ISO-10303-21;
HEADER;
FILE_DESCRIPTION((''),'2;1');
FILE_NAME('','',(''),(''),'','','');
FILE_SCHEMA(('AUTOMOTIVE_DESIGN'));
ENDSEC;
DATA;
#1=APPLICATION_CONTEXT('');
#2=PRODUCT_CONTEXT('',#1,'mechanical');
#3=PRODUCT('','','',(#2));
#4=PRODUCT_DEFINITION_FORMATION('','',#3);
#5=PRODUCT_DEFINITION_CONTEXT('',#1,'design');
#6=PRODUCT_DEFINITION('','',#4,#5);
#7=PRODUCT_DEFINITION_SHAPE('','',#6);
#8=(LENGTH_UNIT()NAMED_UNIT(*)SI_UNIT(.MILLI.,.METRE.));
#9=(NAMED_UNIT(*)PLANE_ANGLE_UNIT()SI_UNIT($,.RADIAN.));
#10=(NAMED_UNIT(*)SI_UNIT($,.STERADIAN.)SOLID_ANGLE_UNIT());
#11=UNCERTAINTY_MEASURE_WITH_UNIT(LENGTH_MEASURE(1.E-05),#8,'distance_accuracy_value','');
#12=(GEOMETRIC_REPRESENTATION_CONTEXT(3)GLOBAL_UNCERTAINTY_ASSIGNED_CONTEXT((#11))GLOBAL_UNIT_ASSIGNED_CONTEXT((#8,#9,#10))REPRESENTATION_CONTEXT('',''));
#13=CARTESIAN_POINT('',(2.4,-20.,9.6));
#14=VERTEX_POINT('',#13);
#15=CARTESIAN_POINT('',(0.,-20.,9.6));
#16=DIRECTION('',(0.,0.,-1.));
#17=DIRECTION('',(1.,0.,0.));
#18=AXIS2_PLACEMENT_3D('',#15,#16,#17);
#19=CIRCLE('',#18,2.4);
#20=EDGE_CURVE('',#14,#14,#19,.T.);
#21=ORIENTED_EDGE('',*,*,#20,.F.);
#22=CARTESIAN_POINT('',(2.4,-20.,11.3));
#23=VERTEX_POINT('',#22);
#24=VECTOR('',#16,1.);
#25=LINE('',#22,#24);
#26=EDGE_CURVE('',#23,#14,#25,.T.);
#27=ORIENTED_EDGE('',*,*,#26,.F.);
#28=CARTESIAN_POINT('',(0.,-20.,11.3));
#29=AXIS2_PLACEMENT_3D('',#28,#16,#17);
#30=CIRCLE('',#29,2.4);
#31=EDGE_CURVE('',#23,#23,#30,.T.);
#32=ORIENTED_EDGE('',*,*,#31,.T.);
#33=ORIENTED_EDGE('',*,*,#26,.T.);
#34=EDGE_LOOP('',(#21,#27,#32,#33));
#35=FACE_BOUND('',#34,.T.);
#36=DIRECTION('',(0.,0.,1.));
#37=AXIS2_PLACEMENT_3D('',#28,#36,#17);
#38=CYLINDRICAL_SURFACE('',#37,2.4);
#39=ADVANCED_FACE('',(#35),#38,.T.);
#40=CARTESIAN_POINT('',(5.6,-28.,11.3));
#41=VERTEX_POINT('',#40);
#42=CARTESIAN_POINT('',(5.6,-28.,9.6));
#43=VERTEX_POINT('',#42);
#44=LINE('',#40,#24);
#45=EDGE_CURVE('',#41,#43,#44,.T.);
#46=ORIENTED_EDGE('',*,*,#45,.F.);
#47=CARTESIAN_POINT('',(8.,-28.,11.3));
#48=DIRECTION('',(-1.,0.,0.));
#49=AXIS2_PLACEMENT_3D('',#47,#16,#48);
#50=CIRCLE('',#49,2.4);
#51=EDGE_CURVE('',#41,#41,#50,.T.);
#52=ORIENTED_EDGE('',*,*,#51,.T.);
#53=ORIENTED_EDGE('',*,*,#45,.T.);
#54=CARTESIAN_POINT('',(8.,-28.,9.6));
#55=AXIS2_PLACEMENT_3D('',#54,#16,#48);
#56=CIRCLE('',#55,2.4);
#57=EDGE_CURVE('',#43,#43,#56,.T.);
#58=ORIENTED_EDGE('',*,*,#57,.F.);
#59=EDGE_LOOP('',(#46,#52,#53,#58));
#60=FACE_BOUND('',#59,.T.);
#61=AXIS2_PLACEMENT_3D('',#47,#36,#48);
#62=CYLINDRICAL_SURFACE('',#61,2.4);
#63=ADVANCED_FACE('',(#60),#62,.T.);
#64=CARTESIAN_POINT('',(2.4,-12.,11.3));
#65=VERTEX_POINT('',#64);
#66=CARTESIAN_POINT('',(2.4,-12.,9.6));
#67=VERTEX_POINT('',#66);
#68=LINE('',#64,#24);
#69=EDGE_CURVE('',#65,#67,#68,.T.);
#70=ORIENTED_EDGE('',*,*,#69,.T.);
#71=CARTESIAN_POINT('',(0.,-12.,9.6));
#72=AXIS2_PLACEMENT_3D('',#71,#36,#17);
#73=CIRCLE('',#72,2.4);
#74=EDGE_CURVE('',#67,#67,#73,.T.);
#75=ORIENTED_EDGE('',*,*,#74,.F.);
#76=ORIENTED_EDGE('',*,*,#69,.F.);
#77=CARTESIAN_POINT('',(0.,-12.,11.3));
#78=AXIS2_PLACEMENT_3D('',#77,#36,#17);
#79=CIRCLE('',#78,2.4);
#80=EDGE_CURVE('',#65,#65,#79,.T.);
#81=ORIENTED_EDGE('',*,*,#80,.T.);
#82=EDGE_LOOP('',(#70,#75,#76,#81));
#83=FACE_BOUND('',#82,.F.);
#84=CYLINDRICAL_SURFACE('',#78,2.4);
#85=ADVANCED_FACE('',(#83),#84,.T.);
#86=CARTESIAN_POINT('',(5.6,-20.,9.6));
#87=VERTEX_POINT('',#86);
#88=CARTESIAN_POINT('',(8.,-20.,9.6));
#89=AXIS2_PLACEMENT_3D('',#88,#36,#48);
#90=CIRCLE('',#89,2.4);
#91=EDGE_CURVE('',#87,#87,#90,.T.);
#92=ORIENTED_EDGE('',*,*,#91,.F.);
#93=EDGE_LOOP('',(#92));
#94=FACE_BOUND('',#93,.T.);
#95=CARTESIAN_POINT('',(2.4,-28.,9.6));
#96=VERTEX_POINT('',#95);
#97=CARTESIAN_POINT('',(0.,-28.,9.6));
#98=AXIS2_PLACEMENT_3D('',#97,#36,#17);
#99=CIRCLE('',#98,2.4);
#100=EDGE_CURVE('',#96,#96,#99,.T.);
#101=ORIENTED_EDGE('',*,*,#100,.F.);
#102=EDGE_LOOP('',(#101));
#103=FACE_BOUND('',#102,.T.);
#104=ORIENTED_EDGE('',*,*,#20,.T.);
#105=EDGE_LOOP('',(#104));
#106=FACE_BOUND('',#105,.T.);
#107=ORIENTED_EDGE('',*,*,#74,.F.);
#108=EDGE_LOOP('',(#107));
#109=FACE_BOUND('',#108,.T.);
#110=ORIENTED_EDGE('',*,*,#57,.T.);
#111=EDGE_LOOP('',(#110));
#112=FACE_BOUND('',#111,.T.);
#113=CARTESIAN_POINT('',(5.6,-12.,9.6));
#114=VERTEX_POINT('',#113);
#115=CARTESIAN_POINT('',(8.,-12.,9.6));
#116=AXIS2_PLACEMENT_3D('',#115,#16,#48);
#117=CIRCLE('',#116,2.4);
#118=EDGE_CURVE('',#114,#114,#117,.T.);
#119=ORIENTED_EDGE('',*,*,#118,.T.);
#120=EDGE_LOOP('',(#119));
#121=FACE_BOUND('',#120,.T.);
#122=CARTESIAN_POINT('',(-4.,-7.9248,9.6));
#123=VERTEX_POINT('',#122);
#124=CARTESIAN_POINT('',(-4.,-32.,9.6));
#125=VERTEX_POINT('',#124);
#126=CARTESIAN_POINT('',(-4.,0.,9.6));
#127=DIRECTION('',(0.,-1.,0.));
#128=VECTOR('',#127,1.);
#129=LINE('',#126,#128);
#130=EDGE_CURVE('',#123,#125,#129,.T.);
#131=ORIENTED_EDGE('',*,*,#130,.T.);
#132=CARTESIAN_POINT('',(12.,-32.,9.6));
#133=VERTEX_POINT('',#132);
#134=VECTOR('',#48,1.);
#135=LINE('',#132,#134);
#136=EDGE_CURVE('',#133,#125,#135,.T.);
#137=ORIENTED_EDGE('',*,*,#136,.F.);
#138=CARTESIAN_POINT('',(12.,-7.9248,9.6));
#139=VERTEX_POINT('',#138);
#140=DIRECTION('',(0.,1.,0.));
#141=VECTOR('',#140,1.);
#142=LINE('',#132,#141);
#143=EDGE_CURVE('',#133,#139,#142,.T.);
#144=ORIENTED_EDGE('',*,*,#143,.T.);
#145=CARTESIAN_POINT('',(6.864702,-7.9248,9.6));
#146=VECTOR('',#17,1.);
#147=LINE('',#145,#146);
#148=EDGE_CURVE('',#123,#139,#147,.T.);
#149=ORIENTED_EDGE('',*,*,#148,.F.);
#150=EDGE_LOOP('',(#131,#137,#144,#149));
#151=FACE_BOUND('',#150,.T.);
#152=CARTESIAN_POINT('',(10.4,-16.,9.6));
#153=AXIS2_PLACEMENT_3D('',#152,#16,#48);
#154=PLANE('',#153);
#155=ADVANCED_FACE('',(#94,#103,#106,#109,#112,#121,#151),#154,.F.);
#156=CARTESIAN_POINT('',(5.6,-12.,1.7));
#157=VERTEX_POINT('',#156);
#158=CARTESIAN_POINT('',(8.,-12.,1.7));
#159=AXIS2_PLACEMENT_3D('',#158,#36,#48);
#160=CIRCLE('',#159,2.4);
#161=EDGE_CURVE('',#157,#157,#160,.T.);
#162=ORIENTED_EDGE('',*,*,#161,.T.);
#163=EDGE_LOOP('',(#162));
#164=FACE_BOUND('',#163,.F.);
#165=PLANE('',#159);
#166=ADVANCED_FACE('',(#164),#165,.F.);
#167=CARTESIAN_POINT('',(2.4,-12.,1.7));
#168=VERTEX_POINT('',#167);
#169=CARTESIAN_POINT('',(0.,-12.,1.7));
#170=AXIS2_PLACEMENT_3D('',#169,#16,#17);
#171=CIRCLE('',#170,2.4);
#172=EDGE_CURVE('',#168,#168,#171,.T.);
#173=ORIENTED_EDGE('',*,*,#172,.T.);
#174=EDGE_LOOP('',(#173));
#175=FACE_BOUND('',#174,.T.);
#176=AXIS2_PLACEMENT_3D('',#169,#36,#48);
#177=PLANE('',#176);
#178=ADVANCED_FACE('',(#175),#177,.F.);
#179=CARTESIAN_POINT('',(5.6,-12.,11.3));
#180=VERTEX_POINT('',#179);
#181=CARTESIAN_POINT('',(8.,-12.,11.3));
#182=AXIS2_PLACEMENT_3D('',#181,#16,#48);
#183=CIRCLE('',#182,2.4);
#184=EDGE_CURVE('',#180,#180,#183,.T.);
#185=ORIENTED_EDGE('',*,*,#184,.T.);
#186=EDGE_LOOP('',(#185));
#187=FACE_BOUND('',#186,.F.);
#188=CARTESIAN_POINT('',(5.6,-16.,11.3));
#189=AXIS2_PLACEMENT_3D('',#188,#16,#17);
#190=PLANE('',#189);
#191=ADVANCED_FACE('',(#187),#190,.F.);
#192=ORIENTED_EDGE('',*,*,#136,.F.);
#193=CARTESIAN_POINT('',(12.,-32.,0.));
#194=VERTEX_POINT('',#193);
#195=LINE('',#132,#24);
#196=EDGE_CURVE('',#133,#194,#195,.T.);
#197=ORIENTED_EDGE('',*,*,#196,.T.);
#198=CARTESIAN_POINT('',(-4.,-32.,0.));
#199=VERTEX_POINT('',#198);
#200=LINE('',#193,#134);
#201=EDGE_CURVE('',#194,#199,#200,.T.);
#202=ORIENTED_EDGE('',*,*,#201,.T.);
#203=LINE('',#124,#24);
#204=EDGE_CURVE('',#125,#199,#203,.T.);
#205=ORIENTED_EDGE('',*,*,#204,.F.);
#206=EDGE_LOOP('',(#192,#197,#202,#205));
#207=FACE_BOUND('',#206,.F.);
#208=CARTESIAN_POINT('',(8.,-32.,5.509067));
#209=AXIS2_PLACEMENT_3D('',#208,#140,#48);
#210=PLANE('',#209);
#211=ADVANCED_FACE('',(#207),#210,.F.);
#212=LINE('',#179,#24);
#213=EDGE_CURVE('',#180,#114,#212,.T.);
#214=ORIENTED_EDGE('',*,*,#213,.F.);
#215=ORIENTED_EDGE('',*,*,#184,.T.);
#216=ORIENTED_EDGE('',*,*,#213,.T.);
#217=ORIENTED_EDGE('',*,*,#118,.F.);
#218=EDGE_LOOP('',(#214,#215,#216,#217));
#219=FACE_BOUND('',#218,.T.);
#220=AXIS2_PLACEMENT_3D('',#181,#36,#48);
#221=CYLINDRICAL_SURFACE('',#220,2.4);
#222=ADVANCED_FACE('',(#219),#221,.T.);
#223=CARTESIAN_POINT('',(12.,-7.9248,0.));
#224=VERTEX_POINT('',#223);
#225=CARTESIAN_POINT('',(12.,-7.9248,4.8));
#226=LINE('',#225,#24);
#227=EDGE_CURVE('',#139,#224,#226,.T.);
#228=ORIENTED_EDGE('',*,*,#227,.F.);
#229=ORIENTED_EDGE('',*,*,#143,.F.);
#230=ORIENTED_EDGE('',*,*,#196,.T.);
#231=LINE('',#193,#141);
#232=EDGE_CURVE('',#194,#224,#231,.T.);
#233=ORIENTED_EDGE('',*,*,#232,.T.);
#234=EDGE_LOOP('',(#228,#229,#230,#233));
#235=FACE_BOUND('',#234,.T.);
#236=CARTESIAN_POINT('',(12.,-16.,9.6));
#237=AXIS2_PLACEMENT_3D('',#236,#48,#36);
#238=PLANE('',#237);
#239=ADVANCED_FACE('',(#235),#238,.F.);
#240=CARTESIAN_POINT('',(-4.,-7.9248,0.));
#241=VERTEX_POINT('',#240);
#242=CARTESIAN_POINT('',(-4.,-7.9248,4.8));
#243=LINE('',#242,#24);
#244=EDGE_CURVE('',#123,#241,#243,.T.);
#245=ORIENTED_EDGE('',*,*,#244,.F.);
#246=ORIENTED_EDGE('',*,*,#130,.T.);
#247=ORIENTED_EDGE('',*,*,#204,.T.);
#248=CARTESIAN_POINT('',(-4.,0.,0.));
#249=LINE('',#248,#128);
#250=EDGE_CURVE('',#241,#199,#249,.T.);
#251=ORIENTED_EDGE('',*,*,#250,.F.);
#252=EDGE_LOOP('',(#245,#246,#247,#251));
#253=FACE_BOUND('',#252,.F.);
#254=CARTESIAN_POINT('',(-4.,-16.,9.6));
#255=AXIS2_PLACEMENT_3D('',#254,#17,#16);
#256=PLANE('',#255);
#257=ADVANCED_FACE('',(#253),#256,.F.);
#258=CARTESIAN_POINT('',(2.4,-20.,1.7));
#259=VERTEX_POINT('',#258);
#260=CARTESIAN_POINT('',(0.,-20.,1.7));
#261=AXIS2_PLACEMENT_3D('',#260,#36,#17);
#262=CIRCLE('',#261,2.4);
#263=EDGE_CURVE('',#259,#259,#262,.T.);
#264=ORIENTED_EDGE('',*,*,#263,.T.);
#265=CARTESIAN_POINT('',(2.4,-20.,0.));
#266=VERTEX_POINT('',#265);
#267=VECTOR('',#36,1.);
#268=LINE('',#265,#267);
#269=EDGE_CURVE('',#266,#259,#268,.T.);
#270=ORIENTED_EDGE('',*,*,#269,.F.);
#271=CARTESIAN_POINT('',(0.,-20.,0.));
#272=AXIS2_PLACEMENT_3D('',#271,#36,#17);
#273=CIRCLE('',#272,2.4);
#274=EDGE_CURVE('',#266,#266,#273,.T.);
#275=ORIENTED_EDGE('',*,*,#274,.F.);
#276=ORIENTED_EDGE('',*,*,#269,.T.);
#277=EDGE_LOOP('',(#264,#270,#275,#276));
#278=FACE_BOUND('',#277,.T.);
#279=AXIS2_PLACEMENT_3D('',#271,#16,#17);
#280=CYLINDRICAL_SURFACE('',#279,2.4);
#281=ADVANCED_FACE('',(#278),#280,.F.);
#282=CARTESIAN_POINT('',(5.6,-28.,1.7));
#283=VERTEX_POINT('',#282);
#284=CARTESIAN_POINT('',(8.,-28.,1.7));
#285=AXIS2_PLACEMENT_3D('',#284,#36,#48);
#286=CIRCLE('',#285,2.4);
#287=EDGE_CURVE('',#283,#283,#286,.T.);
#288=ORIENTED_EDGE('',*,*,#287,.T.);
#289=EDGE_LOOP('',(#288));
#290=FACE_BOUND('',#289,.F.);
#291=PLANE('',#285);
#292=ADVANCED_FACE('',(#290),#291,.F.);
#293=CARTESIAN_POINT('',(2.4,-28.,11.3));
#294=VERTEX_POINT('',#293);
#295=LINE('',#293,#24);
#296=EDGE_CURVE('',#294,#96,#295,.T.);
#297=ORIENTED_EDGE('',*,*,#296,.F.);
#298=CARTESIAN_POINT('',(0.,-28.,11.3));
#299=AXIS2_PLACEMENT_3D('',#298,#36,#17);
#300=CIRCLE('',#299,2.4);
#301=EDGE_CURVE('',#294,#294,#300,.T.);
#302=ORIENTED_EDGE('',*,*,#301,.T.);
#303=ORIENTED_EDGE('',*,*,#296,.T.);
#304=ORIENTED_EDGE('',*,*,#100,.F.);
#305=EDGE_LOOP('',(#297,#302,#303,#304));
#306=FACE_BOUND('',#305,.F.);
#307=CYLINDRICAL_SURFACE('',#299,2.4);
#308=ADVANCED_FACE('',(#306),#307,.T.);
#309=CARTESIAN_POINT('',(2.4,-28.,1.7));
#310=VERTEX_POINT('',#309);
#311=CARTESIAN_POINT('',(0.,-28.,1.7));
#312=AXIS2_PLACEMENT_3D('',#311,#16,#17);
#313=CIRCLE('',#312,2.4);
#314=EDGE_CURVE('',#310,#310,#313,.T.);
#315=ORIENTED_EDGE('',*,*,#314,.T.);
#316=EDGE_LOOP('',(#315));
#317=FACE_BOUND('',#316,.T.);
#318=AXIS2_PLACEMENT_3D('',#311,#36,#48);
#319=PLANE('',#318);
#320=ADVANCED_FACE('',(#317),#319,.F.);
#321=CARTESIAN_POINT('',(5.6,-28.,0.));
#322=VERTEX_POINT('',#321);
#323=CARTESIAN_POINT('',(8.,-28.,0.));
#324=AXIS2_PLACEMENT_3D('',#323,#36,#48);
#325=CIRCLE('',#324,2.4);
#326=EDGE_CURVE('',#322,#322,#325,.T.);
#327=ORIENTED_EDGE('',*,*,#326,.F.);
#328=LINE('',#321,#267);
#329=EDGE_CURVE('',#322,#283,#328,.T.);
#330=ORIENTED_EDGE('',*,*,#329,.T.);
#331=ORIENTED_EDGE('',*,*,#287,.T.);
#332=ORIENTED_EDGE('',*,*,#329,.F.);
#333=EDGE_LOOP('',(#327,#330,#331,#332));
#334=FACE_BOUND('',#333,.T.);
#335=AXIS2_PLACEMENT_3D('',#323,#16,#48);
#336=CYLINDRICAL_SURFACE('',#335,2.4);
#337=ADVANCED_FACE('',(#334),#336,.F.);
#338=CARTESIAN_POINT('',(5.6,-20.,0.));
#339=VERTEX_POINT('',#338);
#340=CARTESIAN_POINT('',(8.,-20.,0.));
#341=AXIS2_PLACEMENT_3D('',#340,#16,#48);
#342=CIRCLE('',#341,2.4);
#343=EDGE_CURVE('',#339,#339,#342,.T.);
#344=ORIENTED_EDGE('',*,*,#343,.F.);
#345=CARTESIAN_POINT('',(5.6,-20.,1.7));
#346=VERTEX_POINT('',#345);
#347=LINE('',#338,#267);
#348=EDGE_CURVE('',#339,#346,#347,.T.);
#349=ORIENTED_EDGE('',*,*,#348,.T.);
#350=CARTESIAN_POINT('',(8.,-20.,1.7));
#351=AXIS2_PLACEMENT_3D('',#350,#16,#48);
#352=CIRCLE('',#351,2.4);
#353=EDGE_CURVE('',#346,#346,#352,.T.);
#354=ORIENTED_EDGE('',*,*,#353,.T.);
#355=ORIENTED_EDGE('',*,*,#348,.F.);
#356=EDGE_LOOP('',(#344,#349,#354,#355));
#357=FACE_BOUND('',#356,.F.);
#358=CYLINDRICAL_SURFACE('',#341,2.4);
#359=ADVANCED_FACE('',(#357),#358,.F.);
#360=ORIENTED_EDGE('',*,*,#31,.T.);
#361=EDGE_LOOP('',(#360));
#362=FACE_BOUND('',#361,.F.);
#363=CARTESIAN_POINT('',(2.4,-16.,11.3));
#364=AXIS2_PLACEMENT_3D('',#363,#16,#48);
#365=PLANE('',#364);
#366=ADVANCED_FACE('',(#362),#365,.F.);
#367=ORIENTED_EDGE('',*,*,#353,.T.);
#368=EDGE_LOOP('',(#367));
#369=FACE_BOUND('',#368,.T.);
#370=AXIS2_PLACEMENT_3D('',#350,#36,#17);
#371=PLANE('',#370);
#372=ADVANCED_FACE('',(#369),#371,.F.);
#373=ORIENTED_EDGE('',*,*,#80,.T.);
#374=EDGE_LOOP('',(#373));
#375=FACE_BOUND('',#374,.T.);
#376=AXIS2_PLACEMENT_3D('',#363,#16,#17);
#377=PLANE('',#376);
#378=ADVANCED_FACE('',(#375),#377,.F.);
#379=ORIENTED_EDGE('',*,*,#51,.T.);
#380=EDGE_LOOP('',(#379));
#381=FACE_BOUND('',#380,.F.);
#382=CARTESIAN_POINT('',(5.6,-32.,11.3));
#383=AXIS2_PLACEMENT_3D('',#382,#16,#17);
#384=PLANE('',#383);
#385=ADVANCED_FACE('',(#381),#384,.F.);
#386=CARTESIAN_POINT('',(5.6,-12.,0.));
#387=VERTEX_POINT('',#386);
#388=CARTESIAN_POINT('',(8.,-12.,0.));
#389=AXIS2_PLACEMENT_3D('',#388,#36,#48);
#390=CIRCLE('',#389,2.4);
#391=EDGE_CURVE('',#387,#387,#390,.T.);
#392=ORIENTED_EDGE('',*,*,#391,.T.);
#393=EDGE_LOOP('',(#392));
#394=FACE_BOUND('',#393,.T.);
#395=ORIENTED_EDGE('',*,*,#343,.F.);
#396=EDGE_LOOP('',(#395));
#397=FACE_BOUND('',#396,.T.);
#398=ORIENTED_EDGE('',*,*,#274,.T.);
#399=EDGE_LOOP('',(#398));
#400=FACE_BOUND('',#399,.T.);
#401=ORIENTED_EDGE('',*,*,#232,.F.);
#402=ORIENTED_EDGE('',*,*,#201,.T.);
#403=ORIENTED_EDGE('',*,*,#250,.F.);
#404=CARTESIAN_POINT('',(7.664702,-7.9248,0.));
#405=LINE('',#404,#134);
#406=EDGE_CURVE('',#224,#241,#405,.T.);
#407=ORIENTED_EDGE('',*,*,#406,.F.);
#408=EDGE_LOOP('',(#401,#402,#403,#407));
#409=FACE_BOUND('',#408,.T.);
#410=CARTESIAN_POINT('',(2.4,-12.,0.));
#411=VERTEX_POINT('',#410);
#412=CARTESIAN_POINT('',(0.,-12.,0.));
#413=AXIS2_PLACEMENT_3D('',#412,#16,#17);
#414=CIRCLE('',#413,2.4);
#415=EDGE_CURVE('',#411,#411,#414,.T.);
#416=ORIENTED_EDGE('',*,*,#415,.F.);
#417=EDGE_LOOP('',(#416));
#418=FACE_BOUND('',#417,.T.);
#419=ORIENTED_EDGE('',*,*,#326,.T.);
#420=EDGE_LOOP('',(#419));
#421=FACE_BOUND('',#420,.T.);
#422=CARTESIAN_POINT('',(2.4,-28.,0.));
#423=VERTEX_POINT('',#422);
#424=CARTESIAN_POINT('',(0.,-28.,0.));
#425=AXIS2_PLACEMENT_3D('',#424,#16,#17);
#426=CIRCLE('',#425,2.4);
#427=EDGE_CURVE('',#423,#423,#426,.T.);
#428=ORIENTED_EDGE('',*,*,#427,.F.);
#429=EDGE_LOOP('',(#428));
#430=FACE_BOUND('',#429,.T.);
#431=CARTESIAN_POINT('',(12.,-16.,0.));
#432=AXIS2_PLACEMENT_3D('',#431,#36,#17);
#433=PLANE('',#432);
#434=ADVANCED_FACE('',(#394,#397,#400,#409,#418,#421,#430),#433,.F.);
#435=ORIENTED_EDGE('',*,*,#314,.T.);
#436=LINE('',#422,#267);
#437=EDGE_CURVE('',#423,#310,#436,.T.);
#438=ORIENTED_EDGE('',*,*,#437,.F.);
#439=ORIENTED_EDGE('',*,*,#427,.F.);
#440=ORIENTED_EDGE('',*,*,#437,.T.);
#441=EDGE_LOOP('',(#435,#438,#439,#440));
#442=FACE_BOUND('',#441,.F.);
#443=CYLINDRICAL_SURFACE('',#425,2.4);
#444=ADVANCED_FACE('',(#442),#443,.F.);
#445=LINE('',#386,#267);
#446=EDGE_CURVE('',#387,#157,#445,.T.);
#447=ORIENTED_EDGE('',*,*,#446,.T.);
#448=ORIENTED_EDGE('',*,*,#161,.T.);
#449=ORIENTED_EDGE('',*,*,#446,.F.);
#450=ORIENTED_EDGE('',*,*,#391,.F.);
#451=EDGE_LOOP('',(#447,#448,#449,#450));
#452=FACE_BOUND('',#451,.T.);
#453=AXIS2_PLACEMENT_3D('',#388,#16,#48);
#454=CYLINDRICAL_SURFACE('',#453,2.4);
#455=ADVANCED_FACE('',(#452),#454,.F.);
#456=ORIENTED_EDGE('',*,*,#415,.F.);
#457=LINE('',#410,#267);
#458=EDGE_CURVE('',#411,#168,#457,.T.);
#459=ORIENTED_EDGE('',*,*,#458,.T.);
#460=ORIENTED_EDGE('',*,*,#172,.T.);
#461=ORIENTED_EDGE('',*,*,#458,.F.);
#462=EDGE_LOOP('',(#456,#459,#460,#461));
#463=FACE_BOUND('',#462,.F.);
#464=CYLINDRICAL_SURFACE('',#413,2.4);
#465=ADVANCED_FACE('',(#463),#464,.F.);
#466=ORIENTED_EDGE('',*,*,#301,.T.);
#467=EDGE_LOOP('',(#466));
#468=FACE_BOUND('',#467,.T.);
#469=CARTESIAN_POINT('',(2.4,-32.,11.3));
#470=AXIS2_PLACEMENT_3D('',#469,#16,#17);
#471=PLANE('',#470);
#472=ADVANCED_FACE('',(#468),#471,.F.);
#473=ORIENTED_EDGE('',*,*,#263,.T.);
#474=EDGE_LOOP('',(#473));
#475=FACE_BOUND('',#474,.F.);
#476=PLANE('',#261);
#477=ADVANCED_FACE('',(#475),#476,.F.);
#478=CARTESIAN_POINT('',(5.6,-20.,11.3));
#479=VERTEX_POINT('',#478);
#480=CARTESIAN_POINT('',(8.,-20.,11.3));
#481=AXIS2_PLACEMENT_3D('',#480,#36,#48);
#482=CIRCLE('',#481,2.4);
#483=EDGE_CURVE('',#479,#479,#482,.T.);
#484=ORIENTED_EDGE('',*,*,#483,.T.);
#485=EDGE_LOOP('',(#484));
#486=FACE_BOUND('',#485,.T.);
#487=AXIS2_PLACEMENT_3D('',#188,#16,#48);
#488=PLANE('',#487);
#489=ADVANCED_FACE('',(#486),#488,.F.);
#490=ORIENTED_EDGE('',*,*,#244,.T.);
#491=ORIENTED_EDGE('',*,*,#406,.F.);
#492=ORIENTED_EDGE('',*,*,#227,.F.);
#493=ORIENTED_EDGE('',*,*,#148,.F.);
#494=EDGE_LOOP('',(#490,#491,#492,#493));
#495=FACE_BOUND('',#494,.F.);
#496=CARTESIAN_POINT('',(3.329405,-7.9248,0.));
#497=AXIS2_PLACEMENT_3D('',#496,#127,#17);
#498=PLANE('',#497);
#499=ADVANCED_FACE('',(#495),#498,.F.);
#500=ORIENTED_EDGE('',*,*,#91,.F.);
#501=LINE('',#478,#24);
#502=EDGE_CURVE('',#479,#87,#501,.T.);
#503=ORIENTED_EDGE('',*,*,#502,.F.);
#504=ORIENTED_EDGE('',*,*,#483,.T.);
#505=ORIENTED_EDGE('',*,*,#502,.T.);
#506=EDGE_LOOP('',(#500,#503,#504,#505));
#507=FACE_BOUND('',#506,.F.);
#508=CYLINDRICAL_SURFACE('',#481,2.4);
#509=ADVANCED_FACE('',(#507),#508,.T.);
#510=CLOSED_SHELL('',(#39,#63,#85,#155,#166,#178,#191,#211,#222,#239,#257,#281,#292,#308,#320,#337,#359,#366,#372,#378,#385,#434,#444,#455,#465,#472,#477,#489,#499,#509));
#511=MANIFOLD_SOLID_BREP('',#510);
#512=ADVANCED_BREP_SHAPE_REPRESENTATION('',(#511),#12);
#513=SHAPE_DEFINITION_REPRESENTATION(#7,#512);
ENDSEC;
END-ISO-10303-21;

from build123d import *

# Parameters (mm, degrees)
F1_DEPTH  = 8
F3_W      = 8
F3_H      = 8
F3_R      = 2.4
F4_DEPTH  = 1.7
F5_R      = 2.4
F6_DEPTH  = 1.7
F11_W     = 31.0510899872
F11_H     = 25.4
F12_DEPTH = 7.9248


with BuildPart() as f1:
    # F0 (on Front) → F1 (new body)
    with BuildSketch(Plane.XZ):
        Polygon((-2.4, 9.6), (-4, 9.6), (-4, 0), (4, 0), (4, 9.6), (2.4, 9.6), (2.4, 11.3), (-2.4, 11.3), align=None)
    extrude(amount=F1_DEPTH)

    # F3 (on plane+point) → F4 (cut, through all)
    with BuildSketch(Plane.XY.offset(11.3)):
        with Locations((0, -4)):
            Rectangle(F3_W, F3_H)
        with Locations((0, -4)):
            Circle(F3_R, mode=Mode.SUBTRACT)
    extrude(amount=-F4_DEPTH, mode=Mode.SUBTRACT)

    # F5 (on Top) → F6 (cut)
    with BuildSketch(Plane.XY):
        with Locations((0, -4)):
            Circle(F5_R)
    extrude(amount=F6_DEPTH, mode=Mode.SUBTRACT)

    # F8: F1 across plane


with BuildPart() as f1_1:
    add(f1.part)
    add(f1.part.mirror(Plane.YZ.offset(4)))

    # F9: F1 across face


with BuildPart() as f1_2:
    add(f1_1.part)
    add(f1_1.part.mirror(Plane(origin=(4, -8, 4.8), x_dir=(1, 0, 0), z_dir=(0, -1, 0))))

    # F10: F1 across face


with BuildPart() as f1_3:
    add(f1_2.part)
    add(f1_2.part.mirror(Plane(origin=(4, -16, 4.8), x_dir=(1, 0, 0), z_dir=(0, -1, 0))))

    # F11 (on Front) → F12 (cut)
    with BuildSketch(Plane.XZ):
        with Locations((3.3294046298, 0)):
            Rectangle(F11_W, F11_H)
    extrude(amount=F12_DEPTH, mode=Mode.SUBTRACT)


solid = f1_3.part
